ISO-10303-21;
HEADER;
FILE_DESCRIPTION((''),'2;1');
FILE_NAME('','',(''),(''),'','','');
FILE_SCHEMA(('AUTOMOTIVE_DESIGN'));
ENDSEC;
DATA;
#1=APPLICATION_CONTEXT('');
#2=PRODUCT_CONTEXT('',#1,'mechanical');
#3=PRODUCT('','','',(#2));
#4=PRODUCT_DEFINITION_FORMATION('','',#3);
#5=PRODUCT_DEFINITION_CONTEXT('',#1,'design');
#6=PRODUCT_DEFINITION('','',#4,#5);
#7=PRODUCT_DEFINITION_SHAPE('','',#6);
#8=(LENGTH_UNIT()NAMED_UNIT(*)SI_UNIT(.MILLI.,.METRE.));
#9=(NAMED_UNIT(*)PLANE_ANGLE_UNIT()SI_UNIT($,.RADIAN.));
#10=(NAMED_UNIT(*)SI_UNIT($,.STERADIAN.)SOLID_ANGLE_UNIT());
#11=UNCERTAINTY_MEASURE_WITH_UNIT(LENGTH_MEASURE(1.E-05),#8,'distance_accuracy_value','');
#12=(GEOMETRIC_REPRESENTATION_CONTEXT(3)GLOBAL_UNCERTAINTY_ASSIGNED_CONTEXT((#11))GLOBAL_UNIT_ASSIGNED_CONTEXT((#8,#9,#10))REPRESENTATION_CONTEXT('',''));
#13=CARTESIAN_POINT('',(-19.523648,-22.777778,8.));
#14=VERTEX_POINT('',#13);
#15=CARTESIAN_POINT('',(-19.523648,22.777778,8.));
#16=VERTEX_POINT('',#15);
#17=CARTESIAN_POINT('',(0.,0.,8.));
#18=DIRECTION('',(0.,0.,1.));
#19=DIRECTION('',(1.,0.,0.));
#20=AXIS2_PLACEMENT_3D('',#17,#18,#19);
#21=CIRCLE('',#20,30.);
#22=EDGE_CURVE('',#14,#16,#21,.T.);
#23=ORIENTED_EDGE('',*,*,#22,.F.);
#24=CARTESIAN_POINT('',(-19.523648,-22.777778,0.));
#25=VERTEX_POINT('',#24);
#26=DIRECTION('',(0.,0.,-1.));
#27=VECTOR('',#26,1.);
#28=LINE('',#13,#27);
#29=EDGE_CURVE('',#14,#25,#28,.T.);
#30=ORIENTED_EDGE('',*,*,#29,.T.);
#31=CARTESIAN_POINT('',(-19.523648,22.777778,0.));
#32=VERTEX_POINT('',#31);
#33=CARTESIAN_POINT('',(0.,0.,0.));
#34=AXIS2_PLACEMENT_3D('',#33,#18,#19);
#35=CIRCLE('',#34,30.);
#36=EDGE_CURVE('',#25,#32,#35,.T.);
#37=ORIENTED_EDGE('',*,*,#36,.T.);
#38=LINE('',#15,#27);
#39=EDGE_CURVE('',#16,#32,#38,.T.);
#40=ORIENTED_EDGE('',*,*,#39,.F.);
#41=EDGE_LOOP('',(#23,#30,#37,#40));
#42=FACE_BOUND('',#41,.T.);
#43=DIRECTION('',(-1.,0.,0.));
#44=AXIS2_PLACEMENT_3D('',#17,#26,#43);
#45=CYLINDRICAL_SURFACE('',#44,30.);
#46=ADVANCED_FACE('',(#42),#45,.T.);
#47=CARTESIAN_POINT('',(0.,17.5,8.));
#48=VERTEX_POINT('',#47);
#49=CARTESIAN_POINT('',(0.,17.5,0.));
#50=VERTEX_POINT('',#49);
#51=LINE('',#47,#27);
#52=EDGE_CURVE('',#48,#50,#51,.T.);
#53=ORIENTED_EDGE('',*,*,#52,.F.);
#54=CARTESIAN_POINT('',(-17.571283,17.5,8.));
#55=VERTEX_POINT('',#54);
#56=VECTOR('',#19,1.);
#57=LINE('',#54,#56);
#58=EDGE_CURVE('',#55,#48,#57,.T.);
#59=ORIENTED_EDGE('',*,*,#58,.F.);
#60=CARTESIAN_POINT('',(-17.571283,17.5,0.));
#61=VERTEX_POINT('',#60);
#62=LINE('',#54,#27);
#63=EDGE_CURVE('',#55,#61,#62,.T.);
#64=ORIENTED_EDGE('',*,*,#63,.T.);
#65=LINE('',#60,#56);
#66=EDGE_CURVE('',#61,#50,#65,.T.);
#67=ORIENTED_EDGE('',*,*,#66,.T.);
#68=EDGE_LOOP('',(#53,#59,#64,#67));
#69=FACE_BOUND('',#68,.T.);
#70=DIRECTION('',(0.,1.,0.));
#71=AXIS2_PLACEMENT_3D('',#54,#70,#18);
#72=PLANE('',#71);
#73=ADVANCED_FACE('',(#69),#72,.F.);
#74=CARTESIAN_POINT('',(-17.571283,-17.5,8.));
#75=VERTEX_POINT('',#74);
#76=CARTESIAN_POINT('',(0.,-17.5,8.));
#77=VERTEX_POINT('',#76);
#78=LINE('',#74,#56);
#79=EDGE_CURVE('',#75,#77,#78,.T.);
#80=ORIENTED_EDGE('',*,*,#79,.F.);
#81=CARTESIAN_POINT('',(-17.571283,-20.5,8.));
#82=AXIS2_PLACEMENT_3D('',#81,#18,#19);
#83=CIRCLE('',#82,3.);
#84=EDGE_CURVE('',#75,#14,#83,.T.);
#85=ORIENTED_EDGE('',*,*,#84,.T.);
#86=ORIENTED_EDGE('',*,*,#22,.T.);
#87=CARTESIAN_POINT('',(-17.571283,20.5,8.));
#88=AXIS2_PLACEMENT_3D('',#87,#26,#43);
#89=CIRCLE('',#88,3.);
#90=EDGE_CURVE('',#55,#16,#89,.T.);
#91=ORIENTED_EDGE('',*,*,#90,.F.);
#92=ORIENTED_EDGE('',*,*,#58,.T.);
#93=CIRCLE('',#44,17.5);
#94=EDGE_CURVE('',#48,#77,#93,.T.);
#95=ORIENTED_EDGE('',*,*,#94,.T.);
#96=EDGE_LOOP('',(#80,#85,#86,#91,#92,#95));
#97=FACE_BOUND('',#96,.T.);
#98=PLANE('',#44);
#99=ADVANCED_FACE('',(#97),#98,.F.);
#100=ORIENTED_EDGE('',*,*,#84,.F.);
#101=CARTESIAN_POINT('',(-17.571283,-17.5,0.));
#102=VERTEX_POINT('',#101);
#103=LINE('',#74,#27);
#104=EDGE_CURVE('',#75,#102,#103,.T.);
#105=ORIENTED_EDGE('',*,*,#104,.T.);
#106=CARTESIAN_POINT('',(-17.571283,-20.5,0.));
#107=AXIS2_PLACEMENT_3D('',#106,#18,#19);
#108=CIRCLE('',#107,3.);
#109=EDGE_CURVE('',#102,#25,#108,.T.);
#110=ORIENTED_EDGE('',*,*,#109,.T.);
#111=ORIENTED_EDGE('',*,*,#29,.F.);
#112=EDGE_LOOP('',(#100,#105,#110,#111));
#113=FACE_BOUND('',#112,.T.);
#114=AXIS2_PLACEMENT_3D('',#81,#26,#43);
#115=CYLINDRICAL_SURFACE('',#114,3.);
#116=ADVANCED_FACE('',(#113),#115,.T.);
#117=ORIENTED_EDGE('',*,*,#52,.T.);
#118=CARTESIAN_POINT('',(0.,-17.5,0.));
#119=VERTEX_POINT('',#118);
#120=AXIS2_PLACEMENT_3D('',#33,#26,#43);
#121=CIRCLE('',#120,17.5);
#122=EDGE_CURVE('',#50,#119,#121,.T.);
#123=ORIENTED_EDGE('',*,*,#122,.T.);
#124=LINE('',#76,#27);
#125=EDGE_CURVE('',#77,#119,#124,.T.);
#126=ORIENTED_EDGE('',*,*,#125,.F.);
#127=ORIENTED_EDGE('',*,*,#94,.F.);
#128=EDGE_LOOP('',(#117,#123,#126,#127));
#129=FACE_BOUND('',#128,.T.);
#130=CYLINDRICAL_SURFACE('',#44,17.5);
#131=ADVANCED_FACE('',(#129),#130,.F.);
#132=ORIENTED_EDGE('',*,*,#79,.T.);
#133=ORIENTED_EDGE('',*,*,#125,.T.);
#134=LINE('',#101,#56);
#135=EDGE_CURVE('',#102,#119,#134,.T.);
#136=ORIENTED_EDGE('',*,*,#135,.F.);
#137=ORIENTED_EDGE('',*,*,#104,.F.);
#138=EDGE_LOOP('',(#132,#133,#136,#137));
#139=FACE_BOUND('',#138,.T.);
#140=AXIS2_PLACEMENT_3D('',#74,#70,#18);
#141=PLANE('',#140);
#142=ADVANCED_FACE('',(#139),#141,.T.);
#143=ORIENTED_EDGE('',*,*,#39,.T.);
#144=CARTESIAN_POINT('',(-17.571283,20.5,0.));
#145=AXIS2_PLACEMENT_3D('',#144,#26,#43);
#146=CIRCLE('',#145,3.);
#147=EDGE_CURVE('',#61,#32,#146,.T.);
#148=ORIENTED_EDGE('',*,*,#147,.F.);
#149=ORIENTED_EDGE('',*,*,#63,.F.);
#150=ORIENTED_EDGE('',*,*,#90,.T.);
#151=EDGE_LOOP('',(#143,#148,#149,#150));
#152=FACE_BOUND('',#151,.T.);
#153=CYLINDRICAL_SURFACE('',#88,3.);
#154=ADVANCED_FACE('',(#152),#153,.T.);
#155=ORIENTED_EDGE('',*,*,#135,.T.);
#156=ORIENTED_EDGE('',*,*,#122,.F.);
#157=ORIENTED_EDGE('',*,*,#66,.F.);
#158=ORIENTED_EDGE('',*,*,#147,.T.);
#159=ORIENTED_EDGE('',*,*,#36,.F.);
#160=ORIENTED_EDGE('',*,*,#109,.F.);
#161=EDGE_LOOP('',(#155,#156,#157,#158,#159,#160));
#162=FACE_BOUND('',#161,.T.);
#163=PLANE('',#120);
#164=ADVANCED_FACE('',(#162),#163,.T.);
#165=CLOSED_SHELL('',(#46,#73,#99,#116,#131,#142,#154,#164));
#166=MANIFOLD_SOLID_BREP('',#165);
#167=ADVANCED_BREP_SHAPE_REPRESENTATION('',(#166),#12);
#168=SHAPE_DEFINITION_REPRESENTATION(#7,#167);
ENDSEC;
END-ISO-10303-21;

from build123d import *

# Parameters (mm, degrees)
BASE_EXTRUDE_DEPTH = 8


with BuildPart() as part:
    # Sketch1 → Base-Extrude (new body)
    with BuildSketch(Plane.XY):
        with BuildLine():
            Line((-17.571283391, -17.5), (0, -17.5))
            ThreePointArc((0, -17.5), (17.5, 0), (0, 17.5))
            Line((0, 17.5), (-17.571283391, 17.5))
            ThreePointArc((-17.571283391, 17.5), (-20.38494056, 19.459167), (-19.523648212, 22.777777778))
            ThreePointArc((-19.523648212, 22.777777778), (30, 0), (-19.523648212, -22.777777778))
            ThreePointArc((-19.523648212, -22.777777778), (-20.38494056, -19.459167), (-17.571283391, -17.5))
        make_face()
    extrude(amount=BASE_EXTRUDE_DEPTH)


solid = part.part
